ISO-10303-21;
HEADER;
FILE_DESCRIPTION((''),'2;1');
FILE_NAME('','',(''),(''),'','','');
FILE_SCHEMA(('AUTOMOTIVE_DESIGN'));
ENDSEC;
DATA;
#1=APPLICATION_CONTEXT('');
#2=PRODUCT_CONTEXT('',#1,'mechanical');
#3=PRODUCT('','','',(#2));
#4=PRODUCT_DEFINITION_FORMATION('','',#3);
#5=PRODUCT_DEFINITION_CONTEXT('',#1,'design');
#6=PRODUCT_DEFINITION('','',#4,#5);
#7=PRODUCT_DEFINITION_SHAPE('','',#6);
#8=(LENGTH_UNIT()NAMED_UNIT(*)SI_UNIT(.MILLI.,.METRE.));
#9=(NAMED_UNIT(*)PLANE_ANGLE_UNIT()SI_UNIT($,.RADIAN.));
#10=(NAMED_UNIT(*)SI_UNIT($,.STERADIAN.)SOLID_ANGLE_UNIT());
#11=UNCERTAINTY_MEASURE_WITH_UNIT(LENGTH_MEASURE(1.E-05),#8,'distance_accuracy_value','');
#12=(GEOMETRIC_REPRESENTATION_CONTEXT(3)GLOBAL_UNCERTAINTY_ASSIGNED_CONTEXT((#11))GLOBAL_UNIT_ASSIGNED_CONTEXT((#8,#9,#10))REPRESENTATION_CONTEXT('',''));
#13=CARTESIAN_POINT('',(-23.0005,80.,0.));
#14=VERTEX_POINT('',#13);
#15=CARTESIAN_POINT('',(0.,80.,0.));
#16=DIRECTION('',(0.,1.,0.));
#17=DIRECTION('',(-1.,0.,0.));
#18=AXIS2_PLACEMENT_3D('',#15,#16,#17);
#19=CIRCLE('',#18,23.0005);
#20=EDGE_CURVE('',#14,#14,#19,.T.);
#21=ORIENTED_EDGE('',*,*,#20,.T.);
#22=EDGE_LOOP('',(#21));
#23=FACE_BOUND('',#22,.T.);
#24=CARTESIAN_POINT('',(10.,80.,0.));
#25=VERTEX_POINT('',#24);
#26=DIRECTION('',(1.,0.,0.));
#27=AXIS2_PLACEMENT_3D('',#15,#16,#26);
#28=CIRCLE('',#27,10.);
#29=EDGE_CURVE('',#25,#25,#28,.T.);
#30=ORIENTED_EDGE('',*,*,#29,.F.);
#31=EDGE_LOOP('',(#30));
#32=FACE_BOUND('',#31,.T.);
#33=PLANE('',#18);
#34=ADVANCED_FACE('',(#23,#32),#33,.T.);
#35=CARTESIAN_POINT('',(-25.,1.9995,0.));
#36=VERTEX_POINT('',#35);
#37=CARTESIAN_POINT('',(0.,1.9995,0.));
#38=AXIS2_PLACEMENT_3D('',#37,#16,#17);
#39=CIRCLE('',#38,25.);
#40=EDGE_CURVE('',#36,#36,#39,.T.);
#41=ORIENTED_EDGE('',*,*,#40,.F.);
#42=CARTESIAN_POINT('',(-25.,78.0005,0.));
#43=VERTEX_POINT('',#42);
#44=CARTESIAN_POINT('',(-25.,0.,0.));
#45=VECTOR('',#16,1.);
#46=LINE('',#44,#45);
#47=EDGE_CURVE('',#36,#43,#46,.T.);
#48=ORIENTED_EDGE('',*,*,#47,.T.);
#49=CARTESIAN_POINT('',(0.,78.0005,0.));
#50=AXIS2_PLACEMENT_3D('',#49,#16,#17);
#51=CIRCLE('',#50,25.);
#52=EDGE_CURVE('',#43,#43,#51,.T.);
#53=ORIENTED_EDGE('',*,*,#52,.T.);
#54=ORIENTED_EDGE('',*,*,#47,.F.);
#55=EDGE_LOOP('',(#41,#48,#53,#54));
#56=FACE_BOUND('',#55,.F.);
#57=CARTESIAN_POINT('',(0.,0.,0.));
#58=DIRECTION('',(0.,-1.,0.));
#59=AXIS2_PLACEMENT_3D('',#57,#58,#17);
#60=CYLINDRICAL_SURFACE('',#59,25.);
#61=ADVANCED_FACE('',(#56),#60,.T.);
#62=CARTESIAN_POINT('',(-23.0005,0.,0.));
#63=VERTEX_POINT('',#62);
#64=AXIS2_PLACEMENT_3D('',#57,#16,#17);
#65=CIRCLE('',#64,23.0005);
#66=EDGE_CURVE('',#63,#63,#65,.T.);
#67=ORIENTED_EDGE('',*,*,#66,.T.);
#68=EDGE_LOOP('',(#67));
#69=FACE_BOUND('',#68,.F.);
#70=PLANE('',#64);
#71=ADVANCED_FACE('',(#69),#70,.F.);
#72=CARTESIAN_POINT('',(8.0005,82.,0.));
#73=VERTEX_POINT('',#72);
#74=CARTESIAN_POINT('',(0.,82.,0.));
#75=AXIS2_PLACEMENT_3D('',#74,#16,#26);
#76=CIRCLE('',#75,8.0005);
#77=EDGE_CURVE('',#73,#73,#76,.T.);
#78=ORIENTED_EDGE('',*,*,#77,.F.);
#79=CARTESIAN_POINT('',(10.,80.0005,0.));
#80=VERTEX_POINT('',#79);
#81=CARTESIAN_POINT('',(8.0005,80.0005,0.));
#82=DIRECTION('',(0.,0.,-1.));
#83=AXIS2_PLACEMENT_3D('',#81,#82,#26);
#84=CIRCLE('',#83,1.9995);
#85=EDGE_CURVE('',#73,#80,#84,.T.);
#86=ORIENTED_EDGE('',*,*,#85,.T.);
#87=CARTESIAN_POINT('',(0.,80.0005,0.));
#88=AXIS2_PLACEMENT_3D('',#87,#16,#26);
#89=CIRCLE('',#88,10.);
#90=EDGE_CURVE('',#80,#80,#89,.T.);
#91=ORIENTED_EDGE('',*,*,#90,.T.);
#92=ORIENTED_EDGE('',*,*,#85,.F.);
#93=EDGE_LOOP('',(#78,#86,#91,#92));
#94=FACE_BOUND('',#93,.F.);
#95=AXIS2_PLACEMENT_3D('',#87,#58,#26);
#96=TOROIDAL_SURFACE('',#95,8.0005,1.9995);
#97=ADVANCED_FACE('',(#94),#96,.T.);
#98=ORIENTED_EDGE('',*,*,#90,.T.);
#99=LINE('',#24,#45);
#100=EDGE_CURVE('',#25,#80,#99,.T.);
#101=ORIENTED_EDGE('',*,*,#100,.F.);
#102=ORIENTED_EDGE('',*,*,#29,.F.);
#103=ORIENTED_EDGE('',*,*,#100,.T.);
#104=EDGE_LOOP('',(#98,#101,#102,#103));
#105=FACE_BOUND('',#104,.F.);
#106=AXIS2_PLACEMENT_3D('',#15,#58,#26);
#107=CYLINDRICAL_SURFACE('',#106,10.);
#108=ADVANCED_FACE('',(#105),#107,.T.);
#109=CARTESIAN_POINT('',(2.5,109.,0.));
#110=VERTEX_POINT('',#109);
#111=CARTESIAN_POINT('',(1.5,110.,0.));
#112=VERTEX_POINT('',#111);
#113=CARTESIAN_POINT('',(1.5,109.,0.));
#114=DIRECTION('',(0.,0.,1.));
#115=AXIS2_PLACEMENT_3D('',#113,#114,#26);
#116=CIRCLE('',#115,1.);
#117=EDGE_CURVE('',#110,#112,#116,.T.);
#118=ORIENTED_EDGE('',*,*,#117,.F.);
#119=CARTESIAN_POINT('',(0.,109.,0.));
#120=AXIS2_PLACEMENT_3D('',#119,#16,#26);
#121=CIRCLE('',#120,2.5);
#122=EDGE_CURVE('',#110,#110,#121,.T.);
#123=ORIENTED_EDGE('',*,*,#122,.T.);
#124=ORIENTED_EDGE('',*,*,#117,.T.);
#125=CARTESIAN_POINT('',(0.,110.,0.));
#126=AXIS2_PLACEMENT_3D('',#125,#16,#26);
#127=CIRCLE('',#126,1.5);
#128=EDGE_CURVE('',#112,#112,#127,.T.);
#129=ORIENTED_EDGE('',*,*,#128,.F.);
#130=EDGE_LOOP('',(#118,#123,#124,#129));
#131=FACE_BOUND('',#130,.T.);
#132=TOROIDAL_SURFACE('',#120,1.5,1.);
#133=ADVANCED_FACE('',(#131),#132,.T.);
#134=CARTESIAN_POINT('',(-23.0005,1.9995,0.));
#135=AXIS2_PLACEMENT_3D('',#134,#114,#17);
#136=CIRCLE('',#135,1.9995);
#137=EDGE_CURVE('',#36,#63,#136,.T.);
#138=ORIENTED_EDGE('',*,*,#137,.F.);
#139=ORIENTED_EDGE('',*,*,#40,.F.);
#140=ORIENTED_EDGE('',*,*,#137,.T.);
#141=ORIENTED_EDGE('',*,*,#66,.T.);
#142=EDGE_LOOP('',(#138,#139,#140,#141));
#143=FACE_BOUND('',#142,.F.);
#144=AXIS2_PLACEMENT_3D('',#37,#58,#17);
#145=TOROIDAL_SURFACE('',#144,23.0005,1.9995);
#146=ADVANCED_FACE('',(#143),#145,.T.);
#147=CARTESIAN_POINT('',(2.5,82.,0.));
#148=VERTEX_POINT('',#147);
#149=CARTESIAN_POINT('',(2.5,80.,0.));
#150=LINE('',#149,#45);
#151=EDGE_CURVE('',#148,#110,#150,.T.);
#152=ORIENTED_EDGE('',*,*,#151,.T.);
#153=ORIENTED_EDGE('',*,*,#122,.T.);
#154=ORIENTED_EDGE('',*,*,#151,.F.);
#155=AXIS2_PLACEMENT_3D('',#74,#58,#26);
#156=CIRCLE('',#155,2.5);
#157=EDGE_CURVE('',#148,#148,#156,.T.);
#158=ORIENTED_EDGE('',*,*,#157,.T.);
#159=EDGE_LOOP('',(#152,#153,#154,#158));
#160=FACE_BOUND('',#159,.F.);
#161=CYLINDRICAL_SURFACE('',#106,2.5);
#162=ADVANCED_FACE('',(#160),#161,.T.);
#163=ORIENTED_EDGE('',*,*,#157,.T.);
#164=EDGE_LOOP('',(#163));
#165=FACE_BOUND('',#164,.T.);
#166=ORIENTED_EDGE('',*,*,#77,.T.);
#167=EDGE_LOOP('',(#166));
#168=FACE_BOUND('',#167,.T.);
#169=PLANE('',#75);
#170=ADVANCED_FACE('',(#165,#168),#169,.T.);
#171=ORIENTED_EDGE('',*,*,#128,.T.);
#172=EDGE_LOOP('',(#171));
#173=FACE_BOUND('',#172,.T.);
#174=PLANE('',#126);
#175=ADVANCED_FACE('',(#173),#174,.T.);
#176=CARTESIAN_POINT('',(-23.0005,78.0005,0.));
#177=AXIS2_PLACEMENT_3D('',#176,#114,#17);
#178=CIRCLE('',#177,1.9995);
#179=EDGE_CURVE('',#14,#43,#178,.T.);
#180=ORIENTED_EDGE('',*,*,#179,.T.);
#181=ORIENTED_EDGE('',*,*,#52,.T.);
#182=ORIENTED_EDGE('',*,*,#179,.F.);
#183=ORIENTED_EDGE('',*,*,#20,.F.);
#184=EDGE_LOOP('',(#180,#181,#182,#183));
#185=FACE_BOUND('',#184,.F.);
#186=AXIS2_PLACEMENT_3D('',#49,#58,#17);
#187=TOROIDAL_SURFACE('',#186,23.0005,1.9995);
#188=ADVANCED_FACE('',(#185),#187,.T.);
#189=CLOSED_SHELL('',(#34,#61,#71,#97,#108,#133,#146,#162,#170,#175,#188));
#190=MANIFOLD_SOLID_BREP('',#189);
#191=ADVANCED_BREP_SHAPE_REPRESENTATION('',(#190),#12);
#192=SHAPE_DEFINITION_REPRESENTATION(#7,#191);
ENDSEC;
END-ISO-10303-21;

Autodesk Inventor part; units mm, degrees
ref_plane "YZ Plane" through (0, 0, 0) normal (1, 0, 0) x (0, 1, 0)
ref_plane "XZ Plane" through (0, 0, 0) normal (0, 1, 0) x (-1, 0, 0)
ref_plane "XY Plane" through (0, 0, 0) normal (0, 0, 1) x (1, 0, 0)
sketch "Sketch1" plane through (0, 0, 0) normal (0, 1, 0) x (-1, 0, 0)
  circle A0 centre (0, 0) radius 25
  dimension "d0" = 50
extrude "Extrusion1" add sketch "Sketch1" along normal blind 80
sketch "Sketch2" plane through (0, 80, 0) normal (0, 1, 0) x (1, 0, 0)
  circle A0 centre (0, 0) radius 10
  circle A1 centre (0, 0) radius 2.5
  dimension "d3" = 20
  dimension "d4" = 5
extrude "Extrusion2" add sketch "Sketch2" along normal blind 2 contours A0 | A1
extrude "Extrusion3" add sketch "Sketch2" along normal blind 30 contours A1
fillet "Fillet1" radius 2 3 edges at (25, 0, 0) (25, 80, 0) (-10, 82, 0)
fillet "Fillet2" radius 1 1 edges at (-2.5, 110, 0)
properties part number "Motor DC" material "Stainless Steel, Brushed"
